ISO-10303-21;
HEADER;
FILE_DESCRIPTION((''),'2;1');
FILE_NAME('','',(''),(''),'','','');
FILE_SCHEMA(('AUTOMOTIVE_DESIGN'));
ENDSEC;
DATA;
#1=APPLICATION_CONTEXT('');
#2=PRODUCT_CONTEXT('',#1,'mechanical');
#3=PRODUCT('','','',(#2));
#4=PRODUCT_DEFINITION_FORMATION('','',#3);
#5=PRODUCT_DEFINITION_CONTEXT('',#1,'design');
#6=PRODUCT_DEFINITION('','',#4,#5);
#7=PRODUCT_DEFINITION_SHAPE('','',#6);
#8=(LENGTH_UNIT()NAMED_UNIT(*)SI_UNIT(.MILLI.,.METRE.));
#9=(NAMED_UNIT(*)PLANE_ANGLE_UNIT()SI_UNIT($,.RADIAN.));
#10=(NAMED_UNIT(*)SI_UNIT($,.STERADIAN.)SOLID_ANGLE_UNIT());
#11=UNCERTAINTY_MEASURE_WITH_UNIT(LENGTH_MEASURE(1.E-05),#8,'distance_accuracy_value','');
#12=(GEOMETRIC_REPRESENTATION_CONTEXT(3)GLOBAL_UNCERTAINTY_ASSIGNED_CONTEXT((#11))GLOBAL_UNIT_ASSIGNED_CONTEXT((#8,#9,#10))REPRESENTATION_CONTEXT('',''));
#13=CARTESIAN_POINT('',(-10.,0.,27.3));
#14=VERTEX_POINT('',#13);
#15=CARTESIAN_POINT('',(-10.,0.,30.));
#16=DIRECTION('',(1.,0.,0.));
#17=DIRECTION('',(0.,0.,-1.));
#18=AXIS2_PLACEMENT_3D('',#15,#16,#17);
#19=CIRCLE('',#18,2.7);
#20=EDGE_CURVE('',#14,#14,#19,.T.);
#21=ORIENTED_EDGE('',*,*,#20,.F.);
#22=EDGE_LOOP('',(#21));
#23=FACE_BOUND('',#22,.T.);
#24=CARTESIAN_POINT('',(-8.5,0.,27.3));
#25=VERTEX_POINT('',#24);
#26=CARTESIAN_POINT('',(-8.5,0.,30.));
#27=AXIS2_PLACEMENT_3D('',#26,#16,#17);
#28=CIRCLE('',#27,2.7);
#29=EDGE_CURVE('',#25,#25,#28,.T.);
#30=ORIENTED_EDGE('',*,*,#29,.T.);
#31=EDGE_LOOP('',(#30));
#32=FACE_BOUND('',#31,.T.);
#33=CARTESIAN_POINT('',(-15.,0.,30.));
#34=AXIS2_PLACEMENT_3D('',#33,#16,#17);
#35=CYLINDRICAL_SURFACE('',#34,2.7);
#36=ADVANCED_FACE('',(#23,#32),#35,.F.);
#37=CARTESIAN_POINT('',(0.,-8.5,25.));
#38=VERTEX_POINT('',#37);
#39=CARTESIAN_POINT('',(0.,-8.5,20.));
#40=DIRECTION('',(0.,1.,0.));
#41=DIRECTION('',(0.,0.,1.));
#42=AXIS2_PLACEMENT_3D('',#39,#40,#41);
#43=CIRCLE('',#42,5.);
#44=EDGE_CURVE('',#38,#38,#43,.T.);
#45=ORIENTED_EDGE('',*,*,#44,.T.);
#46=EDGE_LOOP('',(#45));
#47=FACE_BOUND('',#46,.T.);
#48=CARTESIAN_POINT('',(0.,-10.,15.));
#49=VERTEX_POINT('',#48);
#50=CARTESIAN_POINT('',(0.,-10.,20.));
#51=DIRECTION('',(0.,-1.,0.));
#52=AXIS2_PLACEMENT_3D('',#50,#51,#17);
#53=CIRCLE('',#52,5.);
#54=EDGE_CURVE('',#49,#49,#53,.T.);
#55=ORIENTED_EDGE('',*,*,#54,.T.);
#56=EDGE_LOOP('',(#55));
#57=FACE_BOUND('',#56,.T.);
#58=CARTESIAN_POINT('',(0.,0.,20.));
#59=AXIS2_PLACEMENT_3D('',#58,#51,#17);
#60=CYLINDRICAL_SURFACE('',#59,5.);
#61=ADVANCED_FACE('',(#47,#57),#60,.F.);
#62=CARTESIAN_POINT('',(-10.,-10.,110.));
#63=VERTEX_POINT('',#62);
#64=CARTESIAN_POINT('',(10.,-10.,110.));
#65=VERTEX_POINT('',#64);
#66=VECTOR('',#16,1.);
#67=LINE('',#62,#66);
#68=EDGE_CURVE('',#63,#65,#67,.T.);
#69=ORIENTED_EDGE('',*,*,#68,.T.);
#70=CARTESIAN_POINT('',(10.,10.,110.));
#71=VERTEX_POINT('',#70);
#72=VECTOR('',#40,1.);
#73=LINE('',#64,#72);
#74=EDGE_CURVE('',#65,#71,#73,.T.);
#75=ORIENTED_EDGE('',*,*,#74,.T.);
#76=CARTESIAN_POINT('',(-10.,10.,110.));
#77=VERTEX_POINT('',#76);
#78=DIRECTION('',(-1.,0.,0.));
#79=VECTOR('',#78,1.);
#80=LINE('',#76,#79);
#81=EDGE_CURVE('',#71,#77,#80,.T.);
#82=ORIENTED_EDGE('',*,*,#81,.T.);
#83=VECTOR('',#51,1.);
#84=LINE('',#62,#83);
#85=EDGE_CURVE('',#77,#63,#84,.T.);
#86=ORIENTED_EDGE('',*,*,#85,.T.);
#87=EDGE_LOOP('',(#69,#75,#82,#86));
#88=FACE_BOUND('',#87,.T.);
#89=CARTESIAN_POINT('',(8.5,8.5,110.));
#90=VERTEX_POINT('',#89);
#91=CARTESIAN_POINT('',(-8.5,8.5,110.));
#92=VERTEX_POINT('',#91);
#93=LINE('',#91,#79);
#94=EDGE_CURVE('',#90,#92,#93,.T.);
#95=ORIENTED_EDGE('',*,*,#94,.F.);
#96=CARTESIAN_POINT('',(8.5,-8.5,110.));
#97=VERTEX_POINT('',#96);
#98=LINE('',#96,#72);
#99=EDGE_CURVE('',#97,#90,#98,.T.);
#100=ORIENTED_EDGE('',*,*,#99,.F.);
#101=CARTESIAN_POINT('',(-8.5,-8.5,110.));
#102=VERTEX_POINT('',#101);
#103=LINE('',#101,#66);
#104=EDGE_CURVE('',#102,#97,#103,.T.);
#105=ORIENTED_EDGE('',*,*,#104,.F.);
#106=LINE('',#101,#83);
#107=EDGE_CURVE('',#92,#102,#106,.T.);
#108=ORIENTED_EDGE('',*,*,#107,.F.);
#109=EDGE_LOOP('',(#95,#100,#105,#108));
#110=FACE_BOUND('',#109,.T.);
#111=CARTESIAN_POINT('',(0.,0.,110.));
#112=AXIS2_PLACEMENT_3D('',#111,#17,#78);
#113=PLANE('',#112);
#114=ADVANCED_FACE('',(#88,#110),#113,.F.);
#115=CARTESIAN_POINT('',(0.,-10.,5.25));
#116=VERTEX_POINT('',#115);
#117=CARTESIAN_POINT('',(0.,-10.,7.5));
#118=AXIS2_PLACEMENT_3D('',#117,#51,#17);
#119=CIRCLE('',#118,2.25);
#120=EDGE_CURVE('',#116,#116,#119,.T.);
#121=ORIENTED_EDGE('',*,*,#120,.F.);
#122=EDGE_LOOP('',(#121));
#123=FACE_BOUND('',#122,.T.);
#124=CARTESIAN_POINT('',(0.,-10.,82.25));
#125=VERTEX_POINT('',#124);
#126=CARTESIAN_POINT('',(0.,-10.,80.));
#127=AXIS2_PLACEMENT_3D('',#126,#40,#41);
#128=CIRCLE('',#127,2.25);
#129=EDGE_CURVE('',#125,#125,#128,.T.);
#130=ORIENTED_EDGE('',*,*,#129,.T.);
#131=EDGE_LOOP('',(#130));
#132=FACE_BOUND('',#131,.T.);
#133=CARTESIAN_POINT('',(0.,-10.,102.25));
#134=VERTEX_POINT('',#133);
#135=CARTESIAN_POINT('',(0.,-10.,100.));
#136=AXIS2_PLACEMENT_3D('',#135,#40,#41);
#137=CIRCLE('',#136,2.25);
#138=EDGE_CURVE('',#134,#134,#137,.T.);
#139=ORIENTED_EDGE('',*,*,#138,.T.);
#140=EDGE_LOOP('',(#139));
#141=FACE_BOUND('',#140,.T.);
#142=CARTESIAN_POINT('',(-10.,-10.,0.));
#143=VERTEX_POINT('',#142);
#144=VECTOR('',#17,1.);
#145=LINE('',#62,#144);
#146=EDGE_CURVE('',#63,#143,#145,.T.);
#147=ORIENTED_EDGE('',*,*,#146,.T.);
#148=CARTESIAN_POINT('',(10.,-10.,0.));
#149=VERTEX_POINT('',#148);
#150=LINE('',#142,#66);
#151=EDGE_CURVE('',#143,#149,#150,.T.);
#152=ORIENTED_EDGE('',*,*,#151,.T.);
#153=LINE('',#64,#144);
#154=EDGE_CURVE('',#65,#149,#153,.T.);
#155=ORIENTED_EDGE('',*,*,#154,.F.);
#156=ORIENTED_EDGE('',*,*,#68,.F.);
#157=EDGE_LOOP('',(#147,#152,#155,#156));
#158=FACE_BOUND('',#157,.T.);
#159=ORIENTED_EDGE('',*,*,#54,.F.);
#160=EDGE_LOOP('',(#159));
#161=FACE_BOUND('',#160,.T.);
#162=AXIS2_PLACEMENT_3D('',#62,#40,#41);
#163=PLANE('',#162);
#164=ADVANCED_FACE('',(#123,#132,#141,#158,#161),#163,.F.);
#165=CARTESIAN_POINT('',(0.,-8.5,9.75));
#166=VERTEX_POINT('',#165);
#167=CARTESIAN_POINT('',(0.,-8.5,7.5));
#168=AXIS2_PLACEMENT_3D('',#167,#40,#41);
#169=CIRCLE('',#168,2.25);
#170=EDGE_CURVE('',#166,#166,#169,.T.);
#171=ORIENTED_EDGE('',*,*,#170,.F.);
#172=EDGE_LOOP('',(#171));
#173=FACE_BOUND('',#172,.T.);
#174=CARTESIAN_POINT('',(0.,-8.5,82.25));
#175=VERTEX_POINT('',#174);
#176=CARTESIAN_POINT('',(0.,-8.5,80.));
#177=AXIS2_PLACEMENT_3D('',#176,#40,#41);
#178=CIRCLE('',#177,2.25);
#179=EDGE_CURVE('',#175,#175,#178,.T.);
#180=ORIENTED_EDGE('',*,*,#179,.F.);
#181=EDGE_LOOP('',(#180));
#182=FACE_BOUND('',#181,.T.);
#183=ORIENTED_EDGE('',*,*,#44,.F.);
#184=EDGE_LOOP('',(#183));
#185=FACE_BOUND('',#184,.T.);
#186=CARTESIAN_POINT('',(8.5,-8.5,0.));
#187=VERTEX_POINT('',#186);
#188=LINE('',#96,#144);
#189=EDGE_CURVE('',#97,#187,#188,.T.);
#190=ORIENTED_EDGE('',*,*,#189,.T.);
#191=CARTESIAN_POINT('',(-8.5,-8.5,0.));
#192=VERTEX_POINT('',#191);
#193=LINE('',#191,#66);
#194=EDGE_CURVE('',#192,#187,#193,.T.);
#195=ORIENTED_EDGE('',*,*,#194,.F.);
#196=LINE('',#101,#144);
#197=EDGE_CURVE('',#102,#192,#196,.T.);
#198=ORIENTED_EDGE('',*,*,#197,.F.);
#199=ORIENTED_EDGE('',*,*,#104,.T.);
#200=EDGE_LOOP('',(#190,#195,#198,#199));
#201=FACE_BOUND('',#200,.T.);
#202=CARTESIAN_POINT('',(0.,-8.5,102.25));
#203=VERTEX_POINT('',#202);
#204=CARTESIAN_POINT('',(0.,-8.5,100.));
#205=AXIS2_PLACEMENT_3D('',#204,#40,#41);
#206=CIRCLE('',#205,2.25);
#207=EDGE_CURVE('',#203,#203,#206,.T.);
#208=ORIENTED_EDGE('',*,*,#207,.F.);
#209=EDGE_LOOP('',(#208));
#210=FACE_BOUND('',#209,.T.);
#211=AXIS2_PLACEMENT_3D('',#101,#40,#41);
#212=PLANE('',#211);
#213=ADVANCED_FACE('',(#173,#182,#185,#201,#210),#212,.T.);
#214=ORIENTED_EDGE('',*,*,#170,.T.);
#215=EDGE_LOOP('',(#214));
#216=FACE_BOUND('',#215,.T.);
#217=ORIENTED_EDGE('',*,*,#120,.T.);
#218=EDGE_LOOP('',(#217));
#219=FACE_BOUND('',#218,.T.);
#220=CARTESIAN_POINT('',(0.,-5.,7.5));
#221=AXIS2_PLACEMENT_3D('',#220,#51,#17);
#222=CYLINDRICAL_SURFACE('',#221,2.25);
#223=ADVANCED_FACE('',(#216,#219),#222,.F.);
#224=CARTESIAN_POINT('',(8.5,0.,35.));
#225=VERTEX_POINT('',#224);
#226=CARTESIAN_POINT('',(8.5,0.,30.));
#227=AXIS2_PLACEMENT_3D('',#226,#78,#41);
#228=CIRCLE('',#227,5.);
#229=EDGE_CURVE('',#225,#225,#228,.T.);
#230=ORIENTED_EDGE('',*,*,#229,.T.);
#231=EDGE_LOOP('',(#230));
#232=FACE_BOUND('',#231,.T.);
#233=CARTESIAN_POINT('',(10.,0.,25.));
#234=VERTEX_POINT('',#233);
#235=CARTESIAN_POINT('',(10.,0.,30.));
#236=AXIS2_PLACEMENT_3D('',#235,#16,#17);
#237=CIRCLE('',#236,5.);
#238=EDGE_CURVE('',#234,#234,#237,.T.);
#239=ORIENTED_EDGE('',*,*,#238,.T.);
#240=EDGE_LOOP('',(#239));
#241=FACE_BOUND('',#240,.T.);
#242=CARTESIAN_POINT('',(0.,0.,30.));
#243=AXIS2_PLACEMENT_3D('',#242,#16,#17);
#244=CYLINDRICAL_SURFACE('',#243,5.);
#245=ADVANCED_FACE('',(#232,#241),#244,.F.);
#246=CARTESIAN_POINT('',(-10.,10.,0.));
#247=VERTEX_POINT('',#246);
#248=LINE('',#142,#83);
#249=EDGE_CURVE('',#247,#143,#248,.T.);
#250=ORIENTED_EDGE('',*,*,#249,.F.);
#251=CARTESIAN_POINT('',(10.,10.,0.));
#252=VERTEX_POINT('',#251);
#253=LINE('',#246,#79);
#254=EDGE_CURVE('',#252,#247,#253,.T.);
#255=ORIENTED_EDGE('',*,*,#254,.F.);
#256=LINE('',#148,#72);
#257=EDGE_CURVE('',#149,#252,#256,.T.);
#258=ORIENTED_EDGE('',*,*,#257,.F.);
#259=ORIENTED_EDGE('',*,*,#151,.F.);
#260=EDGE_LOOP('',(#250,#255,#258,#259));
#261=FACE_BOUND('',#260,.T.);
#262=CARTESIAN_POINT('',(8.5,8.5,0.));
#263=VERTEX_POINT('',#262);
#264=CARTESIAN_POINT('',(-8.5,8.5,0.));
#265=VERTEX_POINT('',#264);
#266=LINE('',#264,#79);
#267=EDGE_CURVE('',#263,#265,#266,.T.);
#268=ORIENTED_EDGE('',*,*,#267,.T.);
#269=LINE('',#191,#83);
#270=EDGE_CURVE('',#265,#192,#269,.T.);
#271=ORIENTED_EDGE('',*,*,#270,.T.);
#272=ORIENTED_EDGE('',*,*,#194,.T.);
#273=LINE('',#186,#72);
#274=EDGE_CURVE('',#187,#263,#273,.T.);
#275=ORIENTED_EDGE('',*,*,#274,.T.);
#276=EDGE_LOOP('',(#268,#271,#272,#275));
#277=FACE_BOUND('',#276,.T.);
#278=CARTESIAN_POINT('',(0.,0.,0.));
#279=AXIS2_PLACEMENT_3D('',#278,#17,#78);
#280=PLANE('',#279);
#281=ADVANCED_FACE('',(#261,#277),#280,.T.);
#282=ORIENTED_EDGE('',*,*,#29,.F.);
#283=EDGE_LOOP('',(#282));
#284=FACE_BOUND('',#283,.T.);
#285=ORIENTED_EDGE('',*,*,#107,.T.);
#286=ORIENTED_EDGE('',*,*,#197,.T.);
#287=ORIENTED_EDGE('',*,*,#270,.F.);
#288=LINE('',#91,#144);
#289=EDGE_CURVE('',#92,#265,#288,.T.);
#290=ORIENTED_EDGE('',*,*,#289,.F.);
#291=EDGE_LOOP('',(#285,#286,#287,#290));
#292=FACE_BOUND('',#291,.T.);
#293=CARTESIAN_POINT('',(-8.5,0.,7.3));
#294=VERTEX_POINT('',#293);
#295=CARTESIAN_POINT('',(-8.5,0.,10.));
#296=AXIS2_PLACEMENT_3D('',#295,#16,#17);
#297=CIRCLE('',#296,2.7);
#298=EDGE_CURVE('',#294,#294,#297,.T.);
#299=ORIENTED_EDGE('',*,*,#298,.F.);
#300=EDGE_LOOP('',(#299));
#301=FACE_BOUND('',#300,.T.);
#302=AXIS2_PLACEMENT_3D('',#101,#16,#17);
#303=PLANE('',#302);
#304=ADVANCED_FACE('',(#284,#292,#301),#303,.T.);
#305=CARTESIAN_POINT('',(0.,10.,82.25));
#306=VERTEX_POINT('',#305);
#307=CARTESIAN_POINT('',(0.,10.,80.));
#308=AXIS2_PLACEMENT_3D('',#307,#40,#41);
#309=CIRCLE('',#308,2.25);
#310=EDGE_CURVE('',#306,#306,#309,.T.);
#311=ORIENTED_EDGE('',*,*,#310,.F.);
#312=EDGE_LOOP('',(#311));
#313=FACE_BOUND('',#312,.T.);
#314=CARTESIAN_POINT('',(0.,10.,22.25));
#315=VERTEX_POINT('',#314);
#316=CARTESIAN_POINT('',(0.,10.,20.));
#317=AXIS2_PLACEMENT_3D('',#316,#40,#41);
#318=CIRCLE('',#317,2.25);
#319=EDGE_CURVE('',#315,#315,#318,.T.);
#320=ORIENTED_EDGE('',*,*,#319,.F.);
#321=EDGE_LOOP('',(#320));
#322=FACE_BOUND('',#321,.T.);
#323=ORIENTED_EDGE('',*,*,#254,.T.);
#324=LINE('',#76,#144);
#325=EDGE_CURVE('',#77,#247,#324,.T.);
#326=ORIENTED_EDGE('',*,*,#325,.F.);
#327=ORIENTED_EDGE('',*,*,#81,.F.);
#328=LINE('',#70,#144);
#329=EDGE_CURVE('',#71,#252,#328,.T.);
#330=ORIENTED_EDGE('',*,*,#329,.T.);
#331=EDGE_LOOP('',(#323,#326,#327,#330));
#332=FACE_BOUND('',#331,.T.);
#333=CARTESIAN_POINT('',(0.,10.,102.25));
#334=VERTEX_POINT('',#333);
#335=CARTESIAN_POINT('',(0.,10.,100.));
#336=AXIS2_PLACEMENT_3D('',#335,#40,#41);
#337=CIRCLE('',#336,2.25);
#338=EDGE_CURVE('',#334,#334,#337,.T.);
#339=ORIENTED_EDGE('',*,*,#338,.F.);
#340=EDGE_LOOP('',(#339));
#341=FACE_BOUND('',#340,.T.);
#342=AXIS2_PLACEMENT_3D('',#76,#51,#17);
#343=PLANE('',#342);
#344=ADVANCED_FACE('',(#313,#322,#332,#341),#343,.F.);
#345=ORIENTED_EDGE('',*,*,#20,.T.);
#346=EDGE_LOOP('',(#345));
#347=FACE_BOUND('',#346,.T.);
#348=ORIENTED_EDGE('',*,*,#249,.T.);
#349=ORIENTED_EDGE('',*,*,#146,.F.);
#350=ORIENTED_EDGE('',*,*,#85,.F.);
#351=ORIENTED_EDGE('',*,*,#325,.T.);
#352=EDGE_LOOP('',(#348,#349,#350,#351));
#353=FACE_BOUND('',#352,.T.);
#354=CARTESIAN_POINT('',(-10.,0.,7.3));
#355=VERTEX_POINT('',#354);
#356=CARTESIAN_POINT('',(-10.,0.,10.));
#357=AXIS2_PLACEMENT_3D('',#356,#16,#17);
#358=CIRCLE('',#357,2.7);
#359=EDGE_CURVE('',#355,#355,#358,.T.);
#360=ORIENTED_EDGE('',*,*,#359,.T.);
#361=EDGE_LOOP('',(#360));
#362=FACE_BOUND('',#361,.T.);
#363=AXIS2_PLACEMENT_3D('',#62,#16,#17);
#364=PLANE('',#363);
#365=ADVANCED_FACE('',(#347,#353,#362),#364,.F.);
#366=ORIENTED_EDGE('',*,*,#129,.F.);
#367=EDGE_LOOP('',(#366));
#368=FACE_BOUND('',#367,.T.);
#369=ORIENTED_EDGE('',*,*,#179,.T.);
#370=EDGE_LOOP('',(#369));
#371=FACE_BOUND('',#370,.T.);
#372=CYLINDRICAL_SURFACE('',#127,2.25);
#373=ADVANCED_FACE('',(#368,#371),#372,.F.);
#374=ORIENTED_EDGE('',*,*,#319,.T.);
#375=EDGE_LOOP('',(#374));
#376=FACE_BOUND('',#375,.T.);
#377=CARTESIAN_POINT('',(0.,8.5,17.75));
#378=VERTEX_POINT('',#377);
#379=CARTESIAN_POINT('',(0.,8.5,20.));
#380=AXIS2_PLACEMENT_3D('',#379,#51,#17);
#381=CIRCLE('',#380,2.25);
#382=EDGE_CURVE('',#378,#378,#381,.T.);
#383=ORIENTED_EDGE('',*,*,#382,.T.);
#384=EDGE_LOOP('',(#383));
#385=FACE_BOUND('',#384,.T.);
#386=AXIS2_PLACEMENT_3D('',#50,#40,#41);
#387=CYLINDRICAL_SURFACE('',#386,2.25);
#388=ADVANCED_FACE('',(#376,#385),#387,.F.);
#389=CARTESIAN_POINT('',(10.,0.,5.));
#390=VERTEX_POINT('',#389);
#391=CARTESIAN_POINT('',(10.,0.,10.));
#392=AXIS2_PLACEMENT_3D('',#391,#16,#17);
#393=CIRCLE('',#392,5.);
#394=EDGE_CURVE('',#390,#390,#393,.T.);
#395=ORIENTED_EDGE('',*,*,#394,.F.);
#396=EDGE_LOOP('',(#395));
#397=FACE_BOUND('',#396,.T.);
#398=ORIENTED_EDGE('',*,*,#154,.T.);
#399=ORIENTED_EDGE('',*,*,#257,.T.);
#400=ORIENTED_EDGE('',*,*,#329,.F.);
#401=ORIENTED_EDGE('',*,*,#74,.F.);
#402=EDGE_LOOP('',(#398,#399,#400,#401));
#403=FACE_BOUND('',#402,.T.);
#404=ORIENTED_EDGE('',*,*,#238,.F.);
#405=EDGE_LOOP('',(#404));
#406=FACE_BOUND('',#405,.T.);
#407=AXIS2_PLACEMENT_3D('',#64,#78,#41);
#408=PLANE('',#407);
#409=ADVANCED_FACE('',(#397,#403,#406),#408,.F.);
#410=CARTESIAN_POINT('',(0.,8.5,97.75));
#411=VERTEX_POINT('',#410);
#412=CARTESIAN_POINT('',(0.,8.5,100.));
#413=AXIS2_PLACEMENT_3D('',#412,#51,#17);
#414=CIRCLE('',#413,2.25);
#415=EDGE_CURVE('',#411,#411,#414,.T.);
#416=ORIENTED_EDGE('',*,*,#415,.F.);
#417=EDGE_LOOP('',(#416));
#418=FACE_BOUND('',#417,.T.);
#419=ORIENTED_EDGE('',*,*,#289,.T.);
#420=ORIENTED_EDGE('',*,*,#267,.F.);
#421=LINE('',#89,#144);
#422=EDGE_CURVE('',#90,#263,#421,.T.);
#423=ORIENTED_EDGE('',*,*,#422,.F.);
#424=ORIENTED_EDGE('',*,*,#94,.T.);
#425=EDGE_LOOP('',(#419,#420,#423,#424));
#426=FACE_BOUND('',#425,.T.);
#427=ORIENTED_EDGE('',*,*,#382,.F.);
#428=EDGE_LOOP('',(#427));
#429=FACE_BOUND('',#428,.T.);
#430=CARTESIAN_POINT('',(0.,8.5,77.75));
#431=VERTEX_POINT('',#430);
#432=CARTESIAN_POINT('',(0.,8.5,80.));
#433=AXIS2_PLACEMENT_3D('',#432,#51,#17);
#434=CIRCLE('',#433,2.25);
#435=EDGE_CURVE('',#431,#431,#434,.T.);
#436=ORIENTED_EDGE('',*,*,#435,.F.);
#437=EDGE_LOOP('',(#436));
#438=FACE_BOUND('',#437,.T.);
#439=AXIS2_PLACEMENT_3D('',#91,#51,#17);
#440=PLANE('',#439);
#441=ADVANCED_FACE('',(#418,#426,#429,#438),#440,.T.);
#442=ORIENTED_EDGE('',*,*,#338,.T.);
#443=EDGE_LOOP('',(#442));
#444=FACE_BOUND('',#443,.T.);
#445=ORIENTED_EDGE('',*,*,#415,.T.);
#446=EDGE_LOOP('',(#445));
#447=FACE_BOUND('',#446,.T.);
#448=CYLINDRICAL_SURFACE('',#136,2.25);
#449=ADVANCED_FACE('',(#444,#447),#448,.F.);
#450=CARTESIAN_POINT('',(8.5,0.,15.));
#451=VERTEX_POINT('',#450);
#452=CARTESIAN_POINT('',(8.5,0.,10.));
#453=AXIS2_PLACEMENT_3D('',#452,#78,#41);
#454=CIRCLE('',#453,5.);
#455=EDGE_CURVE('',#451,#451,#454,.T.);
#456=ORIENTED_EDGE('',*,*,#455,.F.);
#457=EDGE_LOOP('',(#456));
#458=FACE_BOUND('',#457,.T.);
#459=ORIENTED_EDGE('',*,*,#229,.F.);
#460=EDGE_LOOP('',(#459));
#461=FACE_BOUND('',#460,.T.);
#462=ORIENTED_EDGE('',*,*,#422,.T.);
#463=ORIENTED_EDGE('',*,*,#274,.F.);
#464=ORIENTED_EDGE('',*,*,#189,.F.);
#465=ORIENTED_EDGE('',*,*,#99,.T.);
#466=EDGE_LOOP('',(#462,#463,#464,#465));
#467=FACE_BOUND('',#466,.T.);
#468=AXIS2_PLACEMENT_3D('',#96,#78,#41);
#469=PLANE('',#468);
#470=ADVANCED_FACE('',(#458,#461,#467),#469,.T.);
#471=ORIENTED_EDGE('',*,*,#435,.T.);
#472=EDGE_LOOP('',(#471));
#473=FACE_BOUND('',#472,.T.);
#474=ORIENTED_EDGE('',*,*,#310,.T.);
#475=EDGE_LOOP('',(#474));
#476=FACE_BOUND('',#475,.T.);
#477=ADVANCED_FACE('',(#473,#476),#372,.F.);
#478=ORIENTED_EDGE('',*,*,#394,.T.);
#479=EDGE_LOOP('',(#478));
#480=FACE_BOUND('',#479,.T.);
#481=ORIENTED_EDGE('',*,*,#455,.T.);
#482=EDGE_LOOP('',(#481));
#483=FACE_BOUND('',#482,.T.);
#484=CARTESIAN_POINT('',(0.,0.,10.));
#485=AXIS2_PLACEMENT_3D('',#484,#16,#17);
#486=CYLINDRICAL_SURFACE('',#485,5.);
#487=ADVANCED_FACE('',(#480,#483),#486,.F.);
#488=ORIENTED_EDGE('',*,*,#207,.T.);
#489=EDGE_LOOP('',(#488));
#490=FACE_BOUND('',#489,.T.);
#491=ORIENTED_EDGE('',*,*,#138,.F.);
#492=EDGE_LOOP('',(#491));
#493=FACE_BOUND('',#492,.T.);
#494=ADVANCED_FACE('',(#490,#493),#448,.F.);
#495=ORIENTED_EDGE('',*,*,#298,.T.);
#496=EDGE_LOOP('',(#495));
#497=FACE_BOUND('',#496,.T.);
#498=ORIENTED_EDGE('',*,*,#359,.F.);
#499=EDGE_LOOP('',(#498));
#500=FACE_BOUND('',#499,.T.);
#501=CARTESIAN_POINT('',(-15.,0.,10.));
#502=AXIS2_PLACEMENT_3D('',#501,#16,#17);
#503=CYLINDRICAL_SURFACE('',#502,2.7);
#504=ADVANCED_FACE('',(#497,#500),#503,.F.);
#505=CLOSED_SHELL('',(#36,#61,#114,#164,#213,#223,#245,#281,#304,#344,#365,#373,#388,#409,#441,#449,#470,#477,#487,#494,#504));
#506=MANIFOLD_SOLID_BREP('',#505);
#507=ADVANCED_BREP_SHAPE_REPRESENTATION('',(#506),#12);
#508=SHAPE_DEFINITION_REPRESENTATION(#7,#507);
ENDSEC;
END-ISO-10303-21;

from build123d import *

# Parameters (mm, degrees)
SKETCH_1_W          = 20
SKETCH_1_H          = 20
SKETCH_1_W_2        = 17
SKETCH_1_H_2        = 17
EXTRUDE_1_DEPTH     = 110
SKETCH_2_R          = 2.7
CUT_EXTRUDE_1_DEPTH = 25
SKETCH_3_R          = 2.25
CUT_EXTRUDE_2_DEPTH = 20
SKETCH_4_R          = 2.25
CUT_EXTRUDE_3_DEPTH = 5
SKETCH_5_R          = 5
CUT_EXTRUDE_4_DEPTH = 10
SKETCH_6_R          = 5
CUT_EXTRUDE_5_DEPTH = 10


with BuildPart() as part:
    # ｽｹｯﾁ1 → ﾎﾞｽ - 押し出し1 (new body)
    with BuildSketch(Plane.XY):
        Rectangle(SKETCH_1_W, SKETCH_1_H)
        Rectangle(SKETCH_1_W_2, SKETCH_1_H_2, mode=Mode.SUBTRACT)
    extrude(amount=EXTRUDE_1_DEPTH)

    # ｽｹｯﾁ2 → ｶｯﾄ - 押し出し1 (cut)
    with BuildSketch(Plane(origin=(10, 0, 0), x_dir=(0, 0, -1), z_dir=(1, 0, 0))):
        with Locations((-30, 0)):
            Circle(SKETCH_2_R)
        with Locations((-10, 0)):
            Circle(SKETCH_2_R)
    extrude(amount=-CUT_EXTRUDE_1_DEPTH, mode=Mode.SUBTRACT)

    # ｽｹｯﾁ3 → ｶｯﾄ - 押し出し2 (cut)
    with BuildSketch(Plane(origin=(0, 10, 0), x_dir=(1, 0, 0), z_dir=(0, 1, 0))):
        with Locations((0, -100)):
            Circle(SKETCH_3_R)
        with Locations((0, -80)):
            Circle(SKETCH_3_R)
        with Locations((0, -20)):
            Circle(SKETCH_3_R)
    extrude(amount=-CUT_EXTRUDE_2_DEPTH, mode=Mode.SUBTRACT)

    # ｽｹｯﾁ4 → ｶｯﾄ - 押し出し3 (cut)
    with BuildSketch(Plane(origin=(0, -10, 0), x_dir=(-1, 0, 0), z_dir=(0, -1, 0))):
        with Locations((0, -7.5)):
            Circle(SKETCH_4_R)
    extrude(amount=-CUT_EXTRUDE_3_DEPTH, mode=Mode.SUBTRACT)

    # ｽｹｯﾁ5 → ｶｯﾄ - 押し出し4 (cut)
    with BuildSketch(Plane(origin=(0, -10, 0), x_dir=(-1, 0, 0), z_dir=(0, -1, 0))):
        with Locations((0, -20)):
            Circle(SKETCH_5_R)
    extrude(amount=-CUT_EXTRUDE_4_DEPTH, mode=Mode.SUBTRACT)

    # ｽｹｯﾁ6 → ｶｯﾄ - 押し出し5 (cut)
    with BuildSketch(Plane(origin=(10, 0, 0), x_dir=(0, 0, -1), z_dir=(1, 0, 0))):
        with Locations((-10, 0)):
            Circle(SKETCH_6_R)
        with Locations((-30, 0)):
            Circle(SKETCH_6_R)
    extrude(amount=-CUT_EXTRUDE_5_DEPTH, mode=Mode.SUBTRACT)


solid = part.part
